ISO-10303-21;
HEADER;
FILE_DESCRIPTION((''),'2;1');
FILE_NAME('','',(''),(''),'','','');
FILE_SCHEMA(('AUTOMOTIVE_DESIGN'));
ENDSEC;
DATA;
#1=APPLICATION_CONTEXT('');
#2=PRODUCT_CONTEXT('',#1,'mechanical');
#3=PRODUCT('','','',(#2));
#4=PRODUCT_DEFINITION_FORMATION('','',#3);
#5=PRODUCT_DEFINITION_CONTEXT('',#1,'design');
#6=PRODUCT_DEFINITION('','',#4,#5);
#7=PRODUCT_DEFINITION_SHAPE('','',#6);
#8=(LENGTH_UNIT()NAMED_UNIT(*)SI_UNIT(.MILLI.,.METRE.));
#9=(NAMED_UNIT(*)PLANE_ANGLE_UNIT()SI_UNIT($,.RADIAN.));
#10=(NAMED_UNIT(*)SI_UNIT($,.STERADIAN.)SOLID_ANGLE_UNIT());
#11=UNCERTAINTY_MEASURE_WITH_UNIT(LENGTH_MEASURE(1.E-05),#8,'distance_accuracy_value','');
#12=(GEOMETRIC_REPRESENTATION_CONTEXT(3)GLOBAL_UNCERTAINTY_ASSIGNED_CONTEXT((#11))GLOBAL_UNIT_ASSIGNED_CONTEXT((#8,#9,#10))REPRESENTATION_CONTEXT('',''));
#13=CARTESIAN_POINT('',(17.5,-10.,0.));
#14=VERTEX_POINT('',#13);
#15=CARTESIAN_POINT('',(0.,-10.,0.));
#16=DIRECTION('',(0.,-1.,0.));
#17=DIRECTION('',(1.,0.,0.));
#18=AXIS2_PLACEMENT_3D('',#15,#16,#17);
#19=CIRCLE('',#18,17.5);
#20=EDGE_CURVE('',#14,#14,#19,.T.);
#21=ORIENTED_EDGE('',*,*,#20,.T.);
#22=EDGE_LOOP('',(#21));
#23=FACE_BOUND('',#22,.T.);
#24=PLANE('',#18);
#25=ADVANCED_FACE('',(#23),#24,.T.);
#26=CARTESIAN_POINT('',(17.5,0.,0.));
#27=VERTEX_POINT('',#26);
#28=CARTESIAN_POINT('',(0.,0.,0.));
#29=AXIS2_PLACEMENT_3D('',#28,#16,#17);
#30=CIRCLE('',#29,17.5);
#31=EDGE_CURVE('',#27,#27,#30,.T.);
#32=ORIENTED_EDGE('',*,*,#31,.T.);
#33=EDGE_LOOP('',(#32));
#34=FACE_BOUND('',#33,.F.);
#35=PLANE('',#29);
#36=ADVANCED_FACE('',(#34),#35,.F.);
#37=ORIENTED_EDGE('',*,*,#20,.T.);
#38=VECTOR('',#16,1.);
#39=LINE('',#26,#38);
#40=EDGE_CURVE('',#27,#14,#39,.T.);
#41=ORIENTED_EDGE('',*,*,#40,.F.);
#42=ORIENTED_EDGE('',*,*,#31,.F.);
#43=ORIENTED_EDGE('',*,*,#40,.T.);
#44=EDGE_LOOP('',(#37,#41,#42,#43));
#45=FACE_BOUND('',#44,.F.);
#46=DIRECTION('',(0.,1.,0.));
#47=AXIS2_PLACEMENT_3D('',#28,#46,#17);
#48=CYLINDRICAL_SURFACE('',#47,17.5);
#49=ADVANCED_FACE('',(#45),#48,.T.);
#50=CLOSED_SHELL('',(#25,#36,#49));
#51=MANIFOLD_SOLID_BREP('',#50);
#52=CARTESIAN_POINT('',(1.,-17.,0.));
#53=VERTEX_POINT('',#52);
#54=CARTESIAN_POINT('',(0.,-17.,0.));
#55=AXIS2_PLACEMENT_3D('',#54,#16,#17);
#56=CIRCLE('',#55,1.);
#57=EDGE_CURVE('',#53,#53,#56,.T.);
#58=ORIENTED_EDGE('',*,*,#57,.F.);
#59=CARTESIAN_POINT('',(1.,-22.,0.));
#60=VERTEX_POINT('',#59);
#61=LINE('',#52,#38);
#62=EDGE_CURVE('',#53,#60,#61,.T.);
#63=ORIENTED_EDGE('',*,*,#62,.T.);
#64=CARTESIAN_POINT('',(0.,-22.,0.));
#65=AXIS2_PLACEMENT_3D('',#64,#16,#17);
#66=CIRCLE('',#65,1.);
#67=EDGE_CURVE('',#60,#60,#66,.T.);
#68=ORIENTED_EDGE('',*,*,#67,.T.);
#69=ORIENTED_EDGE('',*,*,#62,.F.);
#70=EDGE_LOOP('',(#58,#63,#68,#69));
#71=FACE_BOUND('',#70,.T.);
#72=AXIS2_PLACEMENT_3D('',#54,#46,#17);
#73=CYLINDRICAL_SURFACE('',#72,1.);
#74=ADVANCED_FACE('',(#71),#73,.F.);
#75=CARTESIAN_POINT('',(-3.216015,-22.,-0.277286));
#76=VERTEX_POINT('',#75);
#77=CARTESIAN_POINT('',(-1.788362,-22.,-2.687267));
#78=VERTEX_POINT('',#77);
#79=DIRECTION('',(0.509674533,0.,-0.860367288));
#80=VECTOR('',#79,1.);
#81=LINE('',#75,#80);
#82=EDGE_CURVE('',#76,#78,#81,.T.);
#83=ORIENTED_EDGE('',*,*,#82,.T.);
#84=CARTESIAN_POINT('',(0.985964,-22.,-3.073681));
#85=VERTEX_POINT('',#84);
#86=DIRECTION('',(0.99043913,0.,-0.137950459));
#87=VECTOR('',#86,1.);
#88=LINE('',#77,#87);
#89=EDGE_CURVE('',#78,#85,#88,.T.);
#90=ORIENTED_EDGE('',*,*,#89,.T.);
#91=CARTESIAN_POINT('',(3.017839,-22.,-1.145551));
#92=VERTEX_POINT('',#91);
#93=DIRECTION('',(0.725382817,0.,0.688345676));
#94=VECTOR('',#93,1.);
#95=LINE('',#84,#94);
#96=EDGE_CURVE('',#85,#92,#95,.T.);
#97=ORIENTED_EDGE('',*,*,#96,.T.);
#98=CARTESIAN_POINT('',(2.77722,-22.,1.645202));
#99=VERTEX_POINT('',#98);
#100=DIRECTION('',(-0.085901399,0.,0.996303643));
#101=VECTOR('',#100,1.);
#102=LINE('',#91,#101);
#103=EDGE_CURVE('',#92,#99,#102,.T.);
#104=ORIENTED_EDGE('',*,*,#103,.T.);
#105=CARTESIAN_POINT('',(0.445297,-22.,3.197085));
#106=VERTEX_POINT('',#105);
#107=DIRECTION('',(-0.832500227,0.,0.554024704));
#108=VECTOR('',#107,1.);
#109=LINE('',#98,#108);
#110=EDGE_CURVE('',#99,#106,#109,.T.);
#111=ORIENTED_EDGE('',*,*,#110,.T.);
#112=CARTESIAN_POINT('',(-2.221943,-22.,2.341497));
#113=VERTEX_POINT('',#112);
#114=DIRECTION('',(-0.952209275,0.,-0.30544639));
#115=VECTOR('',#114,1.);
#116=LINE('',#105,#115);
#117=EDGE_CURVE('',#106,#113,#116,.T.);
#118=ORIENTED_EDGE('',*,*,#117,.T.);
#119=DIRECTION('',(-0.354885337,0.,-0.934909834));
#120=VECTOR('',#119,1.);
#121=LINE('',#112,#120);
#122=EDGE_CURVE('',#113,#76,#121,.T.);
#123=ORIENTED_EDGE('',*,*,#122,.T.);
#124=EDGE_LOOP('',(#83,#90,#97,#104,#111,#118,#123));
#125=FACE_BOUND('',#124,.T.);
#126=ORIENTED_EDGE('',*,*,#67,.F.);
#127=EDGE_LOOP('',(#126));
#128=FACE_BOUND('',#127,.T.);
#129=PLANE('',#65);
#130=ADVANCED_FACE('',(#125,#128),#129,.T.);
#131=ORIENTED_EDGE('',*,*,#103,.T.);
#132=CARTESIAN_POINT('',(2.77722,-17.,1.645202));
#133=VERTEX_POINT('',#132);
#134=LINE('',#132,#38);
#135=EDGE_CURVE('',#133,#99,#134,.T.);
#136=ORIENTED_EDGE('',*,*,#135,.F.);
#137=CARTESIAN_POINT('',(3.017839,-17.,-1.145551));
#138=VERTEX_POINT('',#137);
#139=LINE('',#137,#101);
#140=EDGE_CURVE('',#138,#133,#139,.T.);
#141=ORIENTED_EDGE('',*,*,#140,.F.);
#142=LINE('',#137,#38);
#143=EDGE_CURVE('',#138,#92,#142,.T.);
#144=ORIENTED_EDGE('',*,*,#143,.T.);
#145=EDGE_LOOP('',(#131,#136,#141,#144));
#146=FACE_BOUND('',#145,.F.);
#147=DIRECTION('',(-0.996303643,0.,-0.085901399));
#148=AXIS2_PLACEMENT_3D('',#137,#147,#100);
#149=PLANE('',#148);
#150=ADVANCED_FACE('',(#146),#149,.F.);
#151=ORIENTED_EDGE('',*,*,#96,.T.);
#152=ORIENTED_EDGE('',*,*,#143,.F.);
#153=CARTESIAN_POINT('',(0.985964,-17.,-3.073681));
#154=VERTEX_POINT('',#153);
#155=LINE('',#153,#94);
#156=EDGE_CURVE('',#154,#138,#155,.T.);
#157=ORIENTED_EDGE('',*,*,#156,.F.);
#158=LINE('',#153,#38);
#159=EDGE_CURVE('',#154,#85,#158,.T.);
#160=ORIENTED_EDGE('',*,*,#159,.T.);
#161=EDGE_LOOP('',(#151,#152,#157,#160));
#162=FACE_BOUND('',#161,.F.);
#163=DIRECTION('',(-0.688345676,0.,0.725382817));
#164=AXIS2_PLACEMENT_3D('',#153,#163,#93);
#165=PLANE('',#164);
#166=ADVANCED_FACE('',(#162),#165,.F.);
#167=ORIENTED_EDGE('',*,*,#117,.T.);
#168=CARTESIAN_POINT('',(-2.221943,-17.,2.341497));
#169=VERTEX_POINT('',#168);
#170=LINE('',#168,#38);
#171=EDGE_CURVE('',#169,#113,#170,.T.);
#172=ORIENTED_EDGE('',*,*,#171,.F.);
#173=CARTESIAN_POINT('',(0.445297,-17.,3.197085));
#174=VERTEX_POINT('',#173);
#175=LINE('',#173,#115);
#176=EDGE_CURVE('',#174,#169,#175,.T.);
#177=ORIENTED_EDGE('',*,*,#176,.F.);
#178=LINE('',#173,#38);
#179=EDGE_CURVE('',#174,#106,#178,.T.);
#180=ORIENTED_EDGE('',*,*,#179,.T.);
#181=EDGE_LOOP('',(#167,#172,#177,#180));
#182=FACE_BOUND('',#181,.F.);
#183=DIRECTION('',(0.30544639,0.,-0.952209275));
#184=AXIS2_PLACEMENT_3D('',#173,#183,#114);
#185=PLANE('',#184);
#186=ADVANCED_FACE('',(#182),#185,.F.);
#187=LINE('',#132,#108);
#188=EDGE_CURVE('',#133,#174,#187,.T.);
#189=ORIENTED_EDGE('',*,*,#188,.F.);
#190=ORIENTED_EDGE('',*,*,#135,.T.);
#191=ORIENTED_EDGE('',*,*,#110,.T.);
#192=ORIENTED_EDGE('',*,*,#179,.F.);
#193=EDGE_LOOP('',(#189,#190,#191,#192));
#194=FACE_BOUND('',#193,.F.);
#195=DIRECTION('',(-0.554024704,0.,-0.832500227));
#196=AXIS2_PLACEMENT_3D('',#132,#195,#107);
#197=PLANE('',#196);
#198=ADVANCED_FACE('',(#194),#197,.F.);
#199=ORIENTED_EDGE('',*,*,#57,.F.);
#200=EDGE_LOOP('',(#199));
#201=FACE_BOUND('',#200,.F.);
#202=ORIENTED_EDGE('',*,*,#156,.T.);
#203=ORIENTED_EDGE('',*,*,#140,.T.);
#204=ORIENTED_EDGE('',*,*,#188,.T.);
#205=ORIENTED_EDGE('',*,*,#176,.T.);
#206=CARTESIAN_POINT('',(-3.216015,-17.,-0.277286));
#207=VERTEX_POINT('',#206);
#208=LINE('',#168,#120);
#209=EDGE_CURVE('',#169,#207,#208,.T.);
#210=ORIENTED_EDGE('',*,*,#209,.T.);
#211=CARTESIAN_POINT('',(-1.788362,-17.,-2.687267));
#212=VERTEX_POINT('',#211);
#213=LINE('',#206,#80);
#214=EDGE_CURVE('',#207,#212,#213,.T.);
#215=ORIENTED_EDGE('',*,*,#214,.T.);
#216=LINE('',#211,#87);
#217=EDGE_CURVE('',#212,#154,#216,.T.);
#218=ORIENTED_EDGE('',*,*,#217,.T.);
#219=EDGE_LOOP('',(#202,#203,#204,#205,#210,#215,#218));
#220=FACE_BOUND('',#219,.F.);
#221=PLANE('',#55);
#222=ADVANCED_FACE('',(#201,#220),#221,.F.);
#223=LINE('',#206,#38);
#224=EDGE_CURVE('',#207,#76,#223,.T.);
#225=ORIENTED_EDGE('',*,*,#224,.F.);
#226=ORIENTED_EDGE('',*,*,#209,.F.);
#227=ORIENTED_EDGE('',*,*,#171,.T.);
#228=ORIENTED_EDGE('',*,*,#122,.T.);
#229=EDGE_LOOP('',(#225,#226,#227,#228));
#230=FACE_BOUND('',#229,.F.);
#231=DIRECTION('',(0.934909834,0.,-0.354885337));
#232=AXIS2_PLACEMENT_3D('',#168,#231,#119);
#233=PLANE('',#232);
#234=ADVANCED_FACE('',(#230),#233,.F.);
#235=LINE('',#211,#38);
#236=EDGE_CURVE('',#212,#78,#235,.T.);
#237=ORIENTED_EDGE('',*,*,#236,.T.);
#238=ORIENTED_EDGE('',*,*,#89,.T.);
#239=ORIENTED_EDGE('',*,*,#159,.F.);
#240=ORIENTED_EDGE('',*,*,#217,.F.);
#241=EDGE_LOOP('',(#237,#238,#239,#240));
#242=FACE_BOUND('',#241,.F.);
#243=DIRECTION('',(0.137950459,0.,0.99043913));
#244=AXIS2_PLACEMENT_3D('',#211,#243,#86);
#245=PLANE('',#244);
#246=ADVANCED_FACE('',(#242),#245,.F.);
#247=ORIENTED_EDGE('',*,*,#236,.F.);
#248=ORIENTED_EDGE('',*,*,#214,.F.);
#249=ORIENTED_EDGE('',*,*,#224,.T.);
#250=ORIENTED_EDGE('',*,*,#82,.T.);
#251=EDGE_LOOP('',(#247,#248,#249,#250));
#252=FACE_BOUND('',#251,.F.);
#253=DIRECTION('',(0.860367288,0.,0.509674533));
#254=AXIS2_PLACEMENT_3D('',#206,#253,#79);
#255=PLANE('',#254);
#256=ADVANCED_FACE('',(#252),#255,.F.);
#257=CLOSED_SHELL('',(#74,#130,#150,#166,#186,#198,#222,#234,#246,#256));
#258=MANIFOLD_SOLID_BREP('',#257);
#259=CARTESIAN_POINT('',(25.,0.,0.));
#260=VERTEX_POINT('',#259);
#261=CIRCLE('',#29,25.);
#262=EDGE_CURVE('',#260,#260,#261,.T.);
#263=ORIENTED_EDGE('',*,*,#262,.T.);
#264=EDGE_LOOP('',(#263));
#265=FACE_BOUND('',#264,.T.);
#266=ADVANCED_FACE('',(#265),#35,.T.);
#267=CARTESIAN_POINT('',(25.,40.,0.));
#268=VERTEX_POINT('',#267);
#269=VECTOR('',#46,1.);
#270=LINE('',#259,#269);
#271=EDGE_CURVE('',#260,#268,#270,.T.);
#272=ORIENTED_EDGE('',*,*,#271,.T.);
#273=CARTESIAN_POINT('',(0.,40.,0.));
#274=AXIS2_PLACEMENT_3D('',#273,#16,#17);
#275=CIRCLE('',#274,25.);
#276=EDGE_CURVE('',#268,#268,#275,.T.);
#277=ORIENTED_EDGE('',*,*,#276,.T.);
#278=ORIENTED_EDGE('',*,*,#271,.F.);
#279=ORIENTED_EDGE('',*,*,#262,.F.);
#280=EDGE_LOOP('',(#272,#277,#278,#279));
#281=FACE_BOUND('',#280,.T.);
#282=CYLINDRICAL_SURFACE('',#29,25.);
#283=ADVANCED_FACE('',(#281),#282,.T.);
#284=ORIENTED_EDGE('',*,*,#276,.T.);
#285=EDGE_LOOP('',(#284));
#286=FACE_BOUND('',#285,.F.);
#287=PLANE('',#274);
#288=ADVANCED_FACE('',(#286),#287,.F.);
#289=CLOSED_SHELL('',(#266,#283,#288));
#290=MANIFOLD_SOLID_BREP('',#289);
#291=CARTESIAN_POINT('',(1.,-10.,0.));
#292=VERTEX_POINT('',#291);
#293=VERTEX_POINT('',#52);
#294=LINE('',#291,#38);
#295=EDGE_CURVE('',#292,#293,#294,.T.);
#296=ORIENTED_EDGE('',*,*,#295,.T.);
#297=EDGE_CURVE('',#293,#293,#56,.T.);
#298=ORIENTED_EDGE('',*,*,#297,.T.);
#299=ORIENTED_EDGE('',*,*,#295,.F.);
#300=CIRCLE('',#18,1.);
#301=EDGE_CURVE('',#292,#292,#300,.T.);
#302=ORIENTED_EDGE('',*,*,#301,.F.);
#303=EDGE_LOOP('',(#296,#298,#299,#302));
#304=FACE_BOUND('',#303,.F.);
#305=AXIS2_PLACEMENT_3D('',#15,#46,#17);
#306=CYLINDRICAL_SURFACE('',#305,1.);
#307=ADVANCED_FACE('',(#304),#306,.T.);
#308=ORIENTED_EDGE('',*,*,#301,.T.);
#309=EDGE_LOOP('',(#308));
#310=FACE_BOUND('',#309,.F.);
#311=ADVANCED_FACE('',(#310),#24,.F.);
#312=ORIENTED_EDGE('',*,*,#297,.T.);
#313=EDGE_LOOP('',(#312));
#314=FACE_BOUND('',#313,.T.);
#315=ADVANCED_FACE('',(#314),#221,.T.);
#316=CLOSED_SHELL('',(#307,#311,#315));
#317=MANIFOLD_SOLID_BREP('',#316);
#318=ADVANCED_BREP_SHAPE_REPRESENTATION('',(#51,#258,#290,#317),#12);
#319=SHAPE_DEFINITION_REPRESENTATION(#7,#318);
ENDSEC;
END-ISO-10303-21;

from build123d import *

# Parameters (mm, degrees)
F0_R     = 25
F1_DEPTH = 40
F2_R     = 17.5
F3_DEPTH = 10
F4_R     = 1
F5_DEPTH = 7
F6_R     = 1
F7_DEPTH = 5


with BuildPart() as f1:
    # F0 (on Front) → F1 (new body)
    with BuildSketch(Plane.XZ):
        Circle(F0_R)
    extrude(amount=-F1_DEPTH)


with BuildPart() as f3:
    # F2 (on Front) → F3 (new body)
    with BuildSketch(Plane.XZ):
        Circle(F2_R)
    extrude(amount=F3_DEPTH)


with BuildPart() as f5:
    # F4 (on face) → F5 (new body)
    with BuildSketch(Plane.XZ.offset(10)):
        Circle(F4_R)
    extrude(amount=F5_DEPTH)


with BuildPart() as f7:
    # F6 (on face) → F7 (new body)
    with BuildSketch(Plane.XZ.offset(17)):
        Polygon((2.77722, 1.645202), (0.445297, 3.197085), (-2.221943, 2.341497), (-3.216015, -0.277286), (-1.788362, -2.687267), (0.985964, -3.073681), (3.017839, -1.145551), align=None)
        Circle(F6_R, mode=Mode.SUBTRACT)
    extrude(amount=F7_DEPTH)


solid = Compound([f1.part, f3.part, f5.part, f7.part])
